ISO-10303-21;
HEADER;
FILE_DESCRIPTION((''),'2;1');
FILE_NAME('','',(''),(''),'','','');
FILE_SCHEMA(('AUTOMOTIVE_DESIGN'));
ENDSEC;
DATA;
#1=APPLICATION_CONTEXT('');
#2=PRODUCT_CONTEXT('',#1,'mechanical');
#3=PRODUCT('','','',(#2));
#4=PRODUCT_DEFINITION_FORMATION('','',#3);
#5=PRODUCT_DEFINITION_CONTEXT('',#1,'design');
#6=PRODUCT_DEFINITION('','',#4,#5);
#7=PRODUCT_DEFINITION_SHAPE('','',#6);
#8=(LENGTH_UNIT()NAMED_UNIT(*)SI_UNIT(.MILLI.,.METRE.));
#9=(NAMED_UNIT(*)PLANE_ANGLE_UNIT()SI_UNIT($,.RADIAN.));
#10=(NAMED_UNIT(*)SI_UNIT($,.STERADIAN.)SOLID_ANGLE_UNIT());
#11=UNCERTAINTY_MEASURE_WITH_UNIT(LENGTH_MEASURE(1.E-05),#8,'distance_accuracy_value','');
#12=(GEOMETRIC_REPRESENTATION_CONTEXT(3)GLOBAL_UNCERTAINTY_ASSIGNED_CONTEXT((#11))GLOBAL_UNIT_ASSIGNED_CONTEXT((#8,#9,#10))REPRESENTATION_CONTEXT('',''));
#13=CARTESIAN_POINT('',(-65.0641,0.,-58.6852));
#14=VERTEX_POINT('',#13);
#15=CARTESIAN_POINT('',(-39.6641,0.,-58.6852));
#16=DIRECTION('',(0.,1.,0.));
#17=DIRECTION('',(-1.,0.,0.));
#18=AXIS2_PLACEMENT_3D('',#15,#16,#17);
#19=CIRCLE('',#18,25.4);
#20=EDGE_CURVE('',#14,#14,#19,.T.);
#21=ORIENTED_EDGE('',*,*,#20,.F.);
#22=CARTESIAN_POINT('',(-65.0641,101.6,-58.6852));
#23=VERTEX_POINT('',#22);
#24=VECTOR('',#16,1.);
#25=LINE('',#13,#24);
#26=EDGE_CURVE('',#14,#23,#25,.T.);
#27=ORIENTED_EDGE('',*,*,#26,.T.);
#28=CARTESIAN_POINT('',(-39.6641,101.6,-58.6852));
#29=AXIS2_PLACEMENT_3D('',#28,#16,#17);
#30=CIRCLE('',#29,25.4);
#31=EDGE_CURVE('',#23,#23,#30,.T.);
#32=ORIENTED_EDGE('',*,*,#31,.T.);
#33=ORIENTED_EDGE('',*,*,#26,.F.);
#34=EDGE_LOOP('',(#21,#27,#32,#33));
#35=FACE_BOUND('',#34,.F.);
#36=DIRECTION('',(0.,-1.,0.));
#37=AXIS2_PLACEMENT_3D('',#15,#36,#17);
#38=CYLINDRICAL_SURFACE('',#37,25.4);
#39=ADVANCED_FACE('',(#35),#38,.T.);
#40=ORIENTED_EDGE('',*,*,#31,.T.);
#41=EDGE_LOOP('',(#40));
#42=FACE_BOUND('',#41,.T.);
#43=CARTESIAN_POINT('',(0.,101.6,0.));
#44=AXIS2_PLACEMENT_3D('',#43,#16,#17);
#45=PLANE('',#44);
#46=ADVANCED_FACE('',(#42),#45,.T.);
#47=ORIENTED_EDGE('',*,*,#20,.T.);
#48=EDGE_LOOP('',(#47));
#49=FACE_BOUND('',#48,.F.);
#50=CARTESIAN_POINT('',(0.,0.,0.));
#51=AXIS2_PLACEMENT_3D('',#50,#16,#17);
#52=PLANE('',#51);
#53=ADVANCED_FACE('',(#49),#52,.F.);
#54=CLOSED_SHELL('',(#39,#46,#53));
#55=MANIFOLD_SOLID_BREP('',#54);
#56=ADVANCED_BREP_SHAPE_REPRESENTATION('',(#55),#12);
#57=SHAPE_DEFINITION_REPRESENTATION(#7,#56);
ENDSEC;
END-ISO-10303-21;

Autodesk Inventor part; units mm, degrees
ref_plane "YZ Plane" through (0, 0, 0) normal (1, 0, 0) x (0, 1, 0)
ref_plane "XZ Plane" through (0, 0, 0) normal (0, 1, 0) x (-1, 0, 0)
ref_plane "XY Plane" through (0, 0, 0) normal (0, 0, 1) x (1, 0, 0)
sketch "Sketch1" plane through (0, 0, 0) normal (0, 1, 0) x (-1, 0, 0)
  circle A0 centre (39.6641, -58.6852) radius 25.4
  point P0 (0, 0)
  dimension "d0" = 50.8
  dimension "d0" = 50.8
extrude "Extrusion1" add sketch "Sketch1" along normal blind 101.6
properties part number "circle peg" material "Wood (Oak)"
